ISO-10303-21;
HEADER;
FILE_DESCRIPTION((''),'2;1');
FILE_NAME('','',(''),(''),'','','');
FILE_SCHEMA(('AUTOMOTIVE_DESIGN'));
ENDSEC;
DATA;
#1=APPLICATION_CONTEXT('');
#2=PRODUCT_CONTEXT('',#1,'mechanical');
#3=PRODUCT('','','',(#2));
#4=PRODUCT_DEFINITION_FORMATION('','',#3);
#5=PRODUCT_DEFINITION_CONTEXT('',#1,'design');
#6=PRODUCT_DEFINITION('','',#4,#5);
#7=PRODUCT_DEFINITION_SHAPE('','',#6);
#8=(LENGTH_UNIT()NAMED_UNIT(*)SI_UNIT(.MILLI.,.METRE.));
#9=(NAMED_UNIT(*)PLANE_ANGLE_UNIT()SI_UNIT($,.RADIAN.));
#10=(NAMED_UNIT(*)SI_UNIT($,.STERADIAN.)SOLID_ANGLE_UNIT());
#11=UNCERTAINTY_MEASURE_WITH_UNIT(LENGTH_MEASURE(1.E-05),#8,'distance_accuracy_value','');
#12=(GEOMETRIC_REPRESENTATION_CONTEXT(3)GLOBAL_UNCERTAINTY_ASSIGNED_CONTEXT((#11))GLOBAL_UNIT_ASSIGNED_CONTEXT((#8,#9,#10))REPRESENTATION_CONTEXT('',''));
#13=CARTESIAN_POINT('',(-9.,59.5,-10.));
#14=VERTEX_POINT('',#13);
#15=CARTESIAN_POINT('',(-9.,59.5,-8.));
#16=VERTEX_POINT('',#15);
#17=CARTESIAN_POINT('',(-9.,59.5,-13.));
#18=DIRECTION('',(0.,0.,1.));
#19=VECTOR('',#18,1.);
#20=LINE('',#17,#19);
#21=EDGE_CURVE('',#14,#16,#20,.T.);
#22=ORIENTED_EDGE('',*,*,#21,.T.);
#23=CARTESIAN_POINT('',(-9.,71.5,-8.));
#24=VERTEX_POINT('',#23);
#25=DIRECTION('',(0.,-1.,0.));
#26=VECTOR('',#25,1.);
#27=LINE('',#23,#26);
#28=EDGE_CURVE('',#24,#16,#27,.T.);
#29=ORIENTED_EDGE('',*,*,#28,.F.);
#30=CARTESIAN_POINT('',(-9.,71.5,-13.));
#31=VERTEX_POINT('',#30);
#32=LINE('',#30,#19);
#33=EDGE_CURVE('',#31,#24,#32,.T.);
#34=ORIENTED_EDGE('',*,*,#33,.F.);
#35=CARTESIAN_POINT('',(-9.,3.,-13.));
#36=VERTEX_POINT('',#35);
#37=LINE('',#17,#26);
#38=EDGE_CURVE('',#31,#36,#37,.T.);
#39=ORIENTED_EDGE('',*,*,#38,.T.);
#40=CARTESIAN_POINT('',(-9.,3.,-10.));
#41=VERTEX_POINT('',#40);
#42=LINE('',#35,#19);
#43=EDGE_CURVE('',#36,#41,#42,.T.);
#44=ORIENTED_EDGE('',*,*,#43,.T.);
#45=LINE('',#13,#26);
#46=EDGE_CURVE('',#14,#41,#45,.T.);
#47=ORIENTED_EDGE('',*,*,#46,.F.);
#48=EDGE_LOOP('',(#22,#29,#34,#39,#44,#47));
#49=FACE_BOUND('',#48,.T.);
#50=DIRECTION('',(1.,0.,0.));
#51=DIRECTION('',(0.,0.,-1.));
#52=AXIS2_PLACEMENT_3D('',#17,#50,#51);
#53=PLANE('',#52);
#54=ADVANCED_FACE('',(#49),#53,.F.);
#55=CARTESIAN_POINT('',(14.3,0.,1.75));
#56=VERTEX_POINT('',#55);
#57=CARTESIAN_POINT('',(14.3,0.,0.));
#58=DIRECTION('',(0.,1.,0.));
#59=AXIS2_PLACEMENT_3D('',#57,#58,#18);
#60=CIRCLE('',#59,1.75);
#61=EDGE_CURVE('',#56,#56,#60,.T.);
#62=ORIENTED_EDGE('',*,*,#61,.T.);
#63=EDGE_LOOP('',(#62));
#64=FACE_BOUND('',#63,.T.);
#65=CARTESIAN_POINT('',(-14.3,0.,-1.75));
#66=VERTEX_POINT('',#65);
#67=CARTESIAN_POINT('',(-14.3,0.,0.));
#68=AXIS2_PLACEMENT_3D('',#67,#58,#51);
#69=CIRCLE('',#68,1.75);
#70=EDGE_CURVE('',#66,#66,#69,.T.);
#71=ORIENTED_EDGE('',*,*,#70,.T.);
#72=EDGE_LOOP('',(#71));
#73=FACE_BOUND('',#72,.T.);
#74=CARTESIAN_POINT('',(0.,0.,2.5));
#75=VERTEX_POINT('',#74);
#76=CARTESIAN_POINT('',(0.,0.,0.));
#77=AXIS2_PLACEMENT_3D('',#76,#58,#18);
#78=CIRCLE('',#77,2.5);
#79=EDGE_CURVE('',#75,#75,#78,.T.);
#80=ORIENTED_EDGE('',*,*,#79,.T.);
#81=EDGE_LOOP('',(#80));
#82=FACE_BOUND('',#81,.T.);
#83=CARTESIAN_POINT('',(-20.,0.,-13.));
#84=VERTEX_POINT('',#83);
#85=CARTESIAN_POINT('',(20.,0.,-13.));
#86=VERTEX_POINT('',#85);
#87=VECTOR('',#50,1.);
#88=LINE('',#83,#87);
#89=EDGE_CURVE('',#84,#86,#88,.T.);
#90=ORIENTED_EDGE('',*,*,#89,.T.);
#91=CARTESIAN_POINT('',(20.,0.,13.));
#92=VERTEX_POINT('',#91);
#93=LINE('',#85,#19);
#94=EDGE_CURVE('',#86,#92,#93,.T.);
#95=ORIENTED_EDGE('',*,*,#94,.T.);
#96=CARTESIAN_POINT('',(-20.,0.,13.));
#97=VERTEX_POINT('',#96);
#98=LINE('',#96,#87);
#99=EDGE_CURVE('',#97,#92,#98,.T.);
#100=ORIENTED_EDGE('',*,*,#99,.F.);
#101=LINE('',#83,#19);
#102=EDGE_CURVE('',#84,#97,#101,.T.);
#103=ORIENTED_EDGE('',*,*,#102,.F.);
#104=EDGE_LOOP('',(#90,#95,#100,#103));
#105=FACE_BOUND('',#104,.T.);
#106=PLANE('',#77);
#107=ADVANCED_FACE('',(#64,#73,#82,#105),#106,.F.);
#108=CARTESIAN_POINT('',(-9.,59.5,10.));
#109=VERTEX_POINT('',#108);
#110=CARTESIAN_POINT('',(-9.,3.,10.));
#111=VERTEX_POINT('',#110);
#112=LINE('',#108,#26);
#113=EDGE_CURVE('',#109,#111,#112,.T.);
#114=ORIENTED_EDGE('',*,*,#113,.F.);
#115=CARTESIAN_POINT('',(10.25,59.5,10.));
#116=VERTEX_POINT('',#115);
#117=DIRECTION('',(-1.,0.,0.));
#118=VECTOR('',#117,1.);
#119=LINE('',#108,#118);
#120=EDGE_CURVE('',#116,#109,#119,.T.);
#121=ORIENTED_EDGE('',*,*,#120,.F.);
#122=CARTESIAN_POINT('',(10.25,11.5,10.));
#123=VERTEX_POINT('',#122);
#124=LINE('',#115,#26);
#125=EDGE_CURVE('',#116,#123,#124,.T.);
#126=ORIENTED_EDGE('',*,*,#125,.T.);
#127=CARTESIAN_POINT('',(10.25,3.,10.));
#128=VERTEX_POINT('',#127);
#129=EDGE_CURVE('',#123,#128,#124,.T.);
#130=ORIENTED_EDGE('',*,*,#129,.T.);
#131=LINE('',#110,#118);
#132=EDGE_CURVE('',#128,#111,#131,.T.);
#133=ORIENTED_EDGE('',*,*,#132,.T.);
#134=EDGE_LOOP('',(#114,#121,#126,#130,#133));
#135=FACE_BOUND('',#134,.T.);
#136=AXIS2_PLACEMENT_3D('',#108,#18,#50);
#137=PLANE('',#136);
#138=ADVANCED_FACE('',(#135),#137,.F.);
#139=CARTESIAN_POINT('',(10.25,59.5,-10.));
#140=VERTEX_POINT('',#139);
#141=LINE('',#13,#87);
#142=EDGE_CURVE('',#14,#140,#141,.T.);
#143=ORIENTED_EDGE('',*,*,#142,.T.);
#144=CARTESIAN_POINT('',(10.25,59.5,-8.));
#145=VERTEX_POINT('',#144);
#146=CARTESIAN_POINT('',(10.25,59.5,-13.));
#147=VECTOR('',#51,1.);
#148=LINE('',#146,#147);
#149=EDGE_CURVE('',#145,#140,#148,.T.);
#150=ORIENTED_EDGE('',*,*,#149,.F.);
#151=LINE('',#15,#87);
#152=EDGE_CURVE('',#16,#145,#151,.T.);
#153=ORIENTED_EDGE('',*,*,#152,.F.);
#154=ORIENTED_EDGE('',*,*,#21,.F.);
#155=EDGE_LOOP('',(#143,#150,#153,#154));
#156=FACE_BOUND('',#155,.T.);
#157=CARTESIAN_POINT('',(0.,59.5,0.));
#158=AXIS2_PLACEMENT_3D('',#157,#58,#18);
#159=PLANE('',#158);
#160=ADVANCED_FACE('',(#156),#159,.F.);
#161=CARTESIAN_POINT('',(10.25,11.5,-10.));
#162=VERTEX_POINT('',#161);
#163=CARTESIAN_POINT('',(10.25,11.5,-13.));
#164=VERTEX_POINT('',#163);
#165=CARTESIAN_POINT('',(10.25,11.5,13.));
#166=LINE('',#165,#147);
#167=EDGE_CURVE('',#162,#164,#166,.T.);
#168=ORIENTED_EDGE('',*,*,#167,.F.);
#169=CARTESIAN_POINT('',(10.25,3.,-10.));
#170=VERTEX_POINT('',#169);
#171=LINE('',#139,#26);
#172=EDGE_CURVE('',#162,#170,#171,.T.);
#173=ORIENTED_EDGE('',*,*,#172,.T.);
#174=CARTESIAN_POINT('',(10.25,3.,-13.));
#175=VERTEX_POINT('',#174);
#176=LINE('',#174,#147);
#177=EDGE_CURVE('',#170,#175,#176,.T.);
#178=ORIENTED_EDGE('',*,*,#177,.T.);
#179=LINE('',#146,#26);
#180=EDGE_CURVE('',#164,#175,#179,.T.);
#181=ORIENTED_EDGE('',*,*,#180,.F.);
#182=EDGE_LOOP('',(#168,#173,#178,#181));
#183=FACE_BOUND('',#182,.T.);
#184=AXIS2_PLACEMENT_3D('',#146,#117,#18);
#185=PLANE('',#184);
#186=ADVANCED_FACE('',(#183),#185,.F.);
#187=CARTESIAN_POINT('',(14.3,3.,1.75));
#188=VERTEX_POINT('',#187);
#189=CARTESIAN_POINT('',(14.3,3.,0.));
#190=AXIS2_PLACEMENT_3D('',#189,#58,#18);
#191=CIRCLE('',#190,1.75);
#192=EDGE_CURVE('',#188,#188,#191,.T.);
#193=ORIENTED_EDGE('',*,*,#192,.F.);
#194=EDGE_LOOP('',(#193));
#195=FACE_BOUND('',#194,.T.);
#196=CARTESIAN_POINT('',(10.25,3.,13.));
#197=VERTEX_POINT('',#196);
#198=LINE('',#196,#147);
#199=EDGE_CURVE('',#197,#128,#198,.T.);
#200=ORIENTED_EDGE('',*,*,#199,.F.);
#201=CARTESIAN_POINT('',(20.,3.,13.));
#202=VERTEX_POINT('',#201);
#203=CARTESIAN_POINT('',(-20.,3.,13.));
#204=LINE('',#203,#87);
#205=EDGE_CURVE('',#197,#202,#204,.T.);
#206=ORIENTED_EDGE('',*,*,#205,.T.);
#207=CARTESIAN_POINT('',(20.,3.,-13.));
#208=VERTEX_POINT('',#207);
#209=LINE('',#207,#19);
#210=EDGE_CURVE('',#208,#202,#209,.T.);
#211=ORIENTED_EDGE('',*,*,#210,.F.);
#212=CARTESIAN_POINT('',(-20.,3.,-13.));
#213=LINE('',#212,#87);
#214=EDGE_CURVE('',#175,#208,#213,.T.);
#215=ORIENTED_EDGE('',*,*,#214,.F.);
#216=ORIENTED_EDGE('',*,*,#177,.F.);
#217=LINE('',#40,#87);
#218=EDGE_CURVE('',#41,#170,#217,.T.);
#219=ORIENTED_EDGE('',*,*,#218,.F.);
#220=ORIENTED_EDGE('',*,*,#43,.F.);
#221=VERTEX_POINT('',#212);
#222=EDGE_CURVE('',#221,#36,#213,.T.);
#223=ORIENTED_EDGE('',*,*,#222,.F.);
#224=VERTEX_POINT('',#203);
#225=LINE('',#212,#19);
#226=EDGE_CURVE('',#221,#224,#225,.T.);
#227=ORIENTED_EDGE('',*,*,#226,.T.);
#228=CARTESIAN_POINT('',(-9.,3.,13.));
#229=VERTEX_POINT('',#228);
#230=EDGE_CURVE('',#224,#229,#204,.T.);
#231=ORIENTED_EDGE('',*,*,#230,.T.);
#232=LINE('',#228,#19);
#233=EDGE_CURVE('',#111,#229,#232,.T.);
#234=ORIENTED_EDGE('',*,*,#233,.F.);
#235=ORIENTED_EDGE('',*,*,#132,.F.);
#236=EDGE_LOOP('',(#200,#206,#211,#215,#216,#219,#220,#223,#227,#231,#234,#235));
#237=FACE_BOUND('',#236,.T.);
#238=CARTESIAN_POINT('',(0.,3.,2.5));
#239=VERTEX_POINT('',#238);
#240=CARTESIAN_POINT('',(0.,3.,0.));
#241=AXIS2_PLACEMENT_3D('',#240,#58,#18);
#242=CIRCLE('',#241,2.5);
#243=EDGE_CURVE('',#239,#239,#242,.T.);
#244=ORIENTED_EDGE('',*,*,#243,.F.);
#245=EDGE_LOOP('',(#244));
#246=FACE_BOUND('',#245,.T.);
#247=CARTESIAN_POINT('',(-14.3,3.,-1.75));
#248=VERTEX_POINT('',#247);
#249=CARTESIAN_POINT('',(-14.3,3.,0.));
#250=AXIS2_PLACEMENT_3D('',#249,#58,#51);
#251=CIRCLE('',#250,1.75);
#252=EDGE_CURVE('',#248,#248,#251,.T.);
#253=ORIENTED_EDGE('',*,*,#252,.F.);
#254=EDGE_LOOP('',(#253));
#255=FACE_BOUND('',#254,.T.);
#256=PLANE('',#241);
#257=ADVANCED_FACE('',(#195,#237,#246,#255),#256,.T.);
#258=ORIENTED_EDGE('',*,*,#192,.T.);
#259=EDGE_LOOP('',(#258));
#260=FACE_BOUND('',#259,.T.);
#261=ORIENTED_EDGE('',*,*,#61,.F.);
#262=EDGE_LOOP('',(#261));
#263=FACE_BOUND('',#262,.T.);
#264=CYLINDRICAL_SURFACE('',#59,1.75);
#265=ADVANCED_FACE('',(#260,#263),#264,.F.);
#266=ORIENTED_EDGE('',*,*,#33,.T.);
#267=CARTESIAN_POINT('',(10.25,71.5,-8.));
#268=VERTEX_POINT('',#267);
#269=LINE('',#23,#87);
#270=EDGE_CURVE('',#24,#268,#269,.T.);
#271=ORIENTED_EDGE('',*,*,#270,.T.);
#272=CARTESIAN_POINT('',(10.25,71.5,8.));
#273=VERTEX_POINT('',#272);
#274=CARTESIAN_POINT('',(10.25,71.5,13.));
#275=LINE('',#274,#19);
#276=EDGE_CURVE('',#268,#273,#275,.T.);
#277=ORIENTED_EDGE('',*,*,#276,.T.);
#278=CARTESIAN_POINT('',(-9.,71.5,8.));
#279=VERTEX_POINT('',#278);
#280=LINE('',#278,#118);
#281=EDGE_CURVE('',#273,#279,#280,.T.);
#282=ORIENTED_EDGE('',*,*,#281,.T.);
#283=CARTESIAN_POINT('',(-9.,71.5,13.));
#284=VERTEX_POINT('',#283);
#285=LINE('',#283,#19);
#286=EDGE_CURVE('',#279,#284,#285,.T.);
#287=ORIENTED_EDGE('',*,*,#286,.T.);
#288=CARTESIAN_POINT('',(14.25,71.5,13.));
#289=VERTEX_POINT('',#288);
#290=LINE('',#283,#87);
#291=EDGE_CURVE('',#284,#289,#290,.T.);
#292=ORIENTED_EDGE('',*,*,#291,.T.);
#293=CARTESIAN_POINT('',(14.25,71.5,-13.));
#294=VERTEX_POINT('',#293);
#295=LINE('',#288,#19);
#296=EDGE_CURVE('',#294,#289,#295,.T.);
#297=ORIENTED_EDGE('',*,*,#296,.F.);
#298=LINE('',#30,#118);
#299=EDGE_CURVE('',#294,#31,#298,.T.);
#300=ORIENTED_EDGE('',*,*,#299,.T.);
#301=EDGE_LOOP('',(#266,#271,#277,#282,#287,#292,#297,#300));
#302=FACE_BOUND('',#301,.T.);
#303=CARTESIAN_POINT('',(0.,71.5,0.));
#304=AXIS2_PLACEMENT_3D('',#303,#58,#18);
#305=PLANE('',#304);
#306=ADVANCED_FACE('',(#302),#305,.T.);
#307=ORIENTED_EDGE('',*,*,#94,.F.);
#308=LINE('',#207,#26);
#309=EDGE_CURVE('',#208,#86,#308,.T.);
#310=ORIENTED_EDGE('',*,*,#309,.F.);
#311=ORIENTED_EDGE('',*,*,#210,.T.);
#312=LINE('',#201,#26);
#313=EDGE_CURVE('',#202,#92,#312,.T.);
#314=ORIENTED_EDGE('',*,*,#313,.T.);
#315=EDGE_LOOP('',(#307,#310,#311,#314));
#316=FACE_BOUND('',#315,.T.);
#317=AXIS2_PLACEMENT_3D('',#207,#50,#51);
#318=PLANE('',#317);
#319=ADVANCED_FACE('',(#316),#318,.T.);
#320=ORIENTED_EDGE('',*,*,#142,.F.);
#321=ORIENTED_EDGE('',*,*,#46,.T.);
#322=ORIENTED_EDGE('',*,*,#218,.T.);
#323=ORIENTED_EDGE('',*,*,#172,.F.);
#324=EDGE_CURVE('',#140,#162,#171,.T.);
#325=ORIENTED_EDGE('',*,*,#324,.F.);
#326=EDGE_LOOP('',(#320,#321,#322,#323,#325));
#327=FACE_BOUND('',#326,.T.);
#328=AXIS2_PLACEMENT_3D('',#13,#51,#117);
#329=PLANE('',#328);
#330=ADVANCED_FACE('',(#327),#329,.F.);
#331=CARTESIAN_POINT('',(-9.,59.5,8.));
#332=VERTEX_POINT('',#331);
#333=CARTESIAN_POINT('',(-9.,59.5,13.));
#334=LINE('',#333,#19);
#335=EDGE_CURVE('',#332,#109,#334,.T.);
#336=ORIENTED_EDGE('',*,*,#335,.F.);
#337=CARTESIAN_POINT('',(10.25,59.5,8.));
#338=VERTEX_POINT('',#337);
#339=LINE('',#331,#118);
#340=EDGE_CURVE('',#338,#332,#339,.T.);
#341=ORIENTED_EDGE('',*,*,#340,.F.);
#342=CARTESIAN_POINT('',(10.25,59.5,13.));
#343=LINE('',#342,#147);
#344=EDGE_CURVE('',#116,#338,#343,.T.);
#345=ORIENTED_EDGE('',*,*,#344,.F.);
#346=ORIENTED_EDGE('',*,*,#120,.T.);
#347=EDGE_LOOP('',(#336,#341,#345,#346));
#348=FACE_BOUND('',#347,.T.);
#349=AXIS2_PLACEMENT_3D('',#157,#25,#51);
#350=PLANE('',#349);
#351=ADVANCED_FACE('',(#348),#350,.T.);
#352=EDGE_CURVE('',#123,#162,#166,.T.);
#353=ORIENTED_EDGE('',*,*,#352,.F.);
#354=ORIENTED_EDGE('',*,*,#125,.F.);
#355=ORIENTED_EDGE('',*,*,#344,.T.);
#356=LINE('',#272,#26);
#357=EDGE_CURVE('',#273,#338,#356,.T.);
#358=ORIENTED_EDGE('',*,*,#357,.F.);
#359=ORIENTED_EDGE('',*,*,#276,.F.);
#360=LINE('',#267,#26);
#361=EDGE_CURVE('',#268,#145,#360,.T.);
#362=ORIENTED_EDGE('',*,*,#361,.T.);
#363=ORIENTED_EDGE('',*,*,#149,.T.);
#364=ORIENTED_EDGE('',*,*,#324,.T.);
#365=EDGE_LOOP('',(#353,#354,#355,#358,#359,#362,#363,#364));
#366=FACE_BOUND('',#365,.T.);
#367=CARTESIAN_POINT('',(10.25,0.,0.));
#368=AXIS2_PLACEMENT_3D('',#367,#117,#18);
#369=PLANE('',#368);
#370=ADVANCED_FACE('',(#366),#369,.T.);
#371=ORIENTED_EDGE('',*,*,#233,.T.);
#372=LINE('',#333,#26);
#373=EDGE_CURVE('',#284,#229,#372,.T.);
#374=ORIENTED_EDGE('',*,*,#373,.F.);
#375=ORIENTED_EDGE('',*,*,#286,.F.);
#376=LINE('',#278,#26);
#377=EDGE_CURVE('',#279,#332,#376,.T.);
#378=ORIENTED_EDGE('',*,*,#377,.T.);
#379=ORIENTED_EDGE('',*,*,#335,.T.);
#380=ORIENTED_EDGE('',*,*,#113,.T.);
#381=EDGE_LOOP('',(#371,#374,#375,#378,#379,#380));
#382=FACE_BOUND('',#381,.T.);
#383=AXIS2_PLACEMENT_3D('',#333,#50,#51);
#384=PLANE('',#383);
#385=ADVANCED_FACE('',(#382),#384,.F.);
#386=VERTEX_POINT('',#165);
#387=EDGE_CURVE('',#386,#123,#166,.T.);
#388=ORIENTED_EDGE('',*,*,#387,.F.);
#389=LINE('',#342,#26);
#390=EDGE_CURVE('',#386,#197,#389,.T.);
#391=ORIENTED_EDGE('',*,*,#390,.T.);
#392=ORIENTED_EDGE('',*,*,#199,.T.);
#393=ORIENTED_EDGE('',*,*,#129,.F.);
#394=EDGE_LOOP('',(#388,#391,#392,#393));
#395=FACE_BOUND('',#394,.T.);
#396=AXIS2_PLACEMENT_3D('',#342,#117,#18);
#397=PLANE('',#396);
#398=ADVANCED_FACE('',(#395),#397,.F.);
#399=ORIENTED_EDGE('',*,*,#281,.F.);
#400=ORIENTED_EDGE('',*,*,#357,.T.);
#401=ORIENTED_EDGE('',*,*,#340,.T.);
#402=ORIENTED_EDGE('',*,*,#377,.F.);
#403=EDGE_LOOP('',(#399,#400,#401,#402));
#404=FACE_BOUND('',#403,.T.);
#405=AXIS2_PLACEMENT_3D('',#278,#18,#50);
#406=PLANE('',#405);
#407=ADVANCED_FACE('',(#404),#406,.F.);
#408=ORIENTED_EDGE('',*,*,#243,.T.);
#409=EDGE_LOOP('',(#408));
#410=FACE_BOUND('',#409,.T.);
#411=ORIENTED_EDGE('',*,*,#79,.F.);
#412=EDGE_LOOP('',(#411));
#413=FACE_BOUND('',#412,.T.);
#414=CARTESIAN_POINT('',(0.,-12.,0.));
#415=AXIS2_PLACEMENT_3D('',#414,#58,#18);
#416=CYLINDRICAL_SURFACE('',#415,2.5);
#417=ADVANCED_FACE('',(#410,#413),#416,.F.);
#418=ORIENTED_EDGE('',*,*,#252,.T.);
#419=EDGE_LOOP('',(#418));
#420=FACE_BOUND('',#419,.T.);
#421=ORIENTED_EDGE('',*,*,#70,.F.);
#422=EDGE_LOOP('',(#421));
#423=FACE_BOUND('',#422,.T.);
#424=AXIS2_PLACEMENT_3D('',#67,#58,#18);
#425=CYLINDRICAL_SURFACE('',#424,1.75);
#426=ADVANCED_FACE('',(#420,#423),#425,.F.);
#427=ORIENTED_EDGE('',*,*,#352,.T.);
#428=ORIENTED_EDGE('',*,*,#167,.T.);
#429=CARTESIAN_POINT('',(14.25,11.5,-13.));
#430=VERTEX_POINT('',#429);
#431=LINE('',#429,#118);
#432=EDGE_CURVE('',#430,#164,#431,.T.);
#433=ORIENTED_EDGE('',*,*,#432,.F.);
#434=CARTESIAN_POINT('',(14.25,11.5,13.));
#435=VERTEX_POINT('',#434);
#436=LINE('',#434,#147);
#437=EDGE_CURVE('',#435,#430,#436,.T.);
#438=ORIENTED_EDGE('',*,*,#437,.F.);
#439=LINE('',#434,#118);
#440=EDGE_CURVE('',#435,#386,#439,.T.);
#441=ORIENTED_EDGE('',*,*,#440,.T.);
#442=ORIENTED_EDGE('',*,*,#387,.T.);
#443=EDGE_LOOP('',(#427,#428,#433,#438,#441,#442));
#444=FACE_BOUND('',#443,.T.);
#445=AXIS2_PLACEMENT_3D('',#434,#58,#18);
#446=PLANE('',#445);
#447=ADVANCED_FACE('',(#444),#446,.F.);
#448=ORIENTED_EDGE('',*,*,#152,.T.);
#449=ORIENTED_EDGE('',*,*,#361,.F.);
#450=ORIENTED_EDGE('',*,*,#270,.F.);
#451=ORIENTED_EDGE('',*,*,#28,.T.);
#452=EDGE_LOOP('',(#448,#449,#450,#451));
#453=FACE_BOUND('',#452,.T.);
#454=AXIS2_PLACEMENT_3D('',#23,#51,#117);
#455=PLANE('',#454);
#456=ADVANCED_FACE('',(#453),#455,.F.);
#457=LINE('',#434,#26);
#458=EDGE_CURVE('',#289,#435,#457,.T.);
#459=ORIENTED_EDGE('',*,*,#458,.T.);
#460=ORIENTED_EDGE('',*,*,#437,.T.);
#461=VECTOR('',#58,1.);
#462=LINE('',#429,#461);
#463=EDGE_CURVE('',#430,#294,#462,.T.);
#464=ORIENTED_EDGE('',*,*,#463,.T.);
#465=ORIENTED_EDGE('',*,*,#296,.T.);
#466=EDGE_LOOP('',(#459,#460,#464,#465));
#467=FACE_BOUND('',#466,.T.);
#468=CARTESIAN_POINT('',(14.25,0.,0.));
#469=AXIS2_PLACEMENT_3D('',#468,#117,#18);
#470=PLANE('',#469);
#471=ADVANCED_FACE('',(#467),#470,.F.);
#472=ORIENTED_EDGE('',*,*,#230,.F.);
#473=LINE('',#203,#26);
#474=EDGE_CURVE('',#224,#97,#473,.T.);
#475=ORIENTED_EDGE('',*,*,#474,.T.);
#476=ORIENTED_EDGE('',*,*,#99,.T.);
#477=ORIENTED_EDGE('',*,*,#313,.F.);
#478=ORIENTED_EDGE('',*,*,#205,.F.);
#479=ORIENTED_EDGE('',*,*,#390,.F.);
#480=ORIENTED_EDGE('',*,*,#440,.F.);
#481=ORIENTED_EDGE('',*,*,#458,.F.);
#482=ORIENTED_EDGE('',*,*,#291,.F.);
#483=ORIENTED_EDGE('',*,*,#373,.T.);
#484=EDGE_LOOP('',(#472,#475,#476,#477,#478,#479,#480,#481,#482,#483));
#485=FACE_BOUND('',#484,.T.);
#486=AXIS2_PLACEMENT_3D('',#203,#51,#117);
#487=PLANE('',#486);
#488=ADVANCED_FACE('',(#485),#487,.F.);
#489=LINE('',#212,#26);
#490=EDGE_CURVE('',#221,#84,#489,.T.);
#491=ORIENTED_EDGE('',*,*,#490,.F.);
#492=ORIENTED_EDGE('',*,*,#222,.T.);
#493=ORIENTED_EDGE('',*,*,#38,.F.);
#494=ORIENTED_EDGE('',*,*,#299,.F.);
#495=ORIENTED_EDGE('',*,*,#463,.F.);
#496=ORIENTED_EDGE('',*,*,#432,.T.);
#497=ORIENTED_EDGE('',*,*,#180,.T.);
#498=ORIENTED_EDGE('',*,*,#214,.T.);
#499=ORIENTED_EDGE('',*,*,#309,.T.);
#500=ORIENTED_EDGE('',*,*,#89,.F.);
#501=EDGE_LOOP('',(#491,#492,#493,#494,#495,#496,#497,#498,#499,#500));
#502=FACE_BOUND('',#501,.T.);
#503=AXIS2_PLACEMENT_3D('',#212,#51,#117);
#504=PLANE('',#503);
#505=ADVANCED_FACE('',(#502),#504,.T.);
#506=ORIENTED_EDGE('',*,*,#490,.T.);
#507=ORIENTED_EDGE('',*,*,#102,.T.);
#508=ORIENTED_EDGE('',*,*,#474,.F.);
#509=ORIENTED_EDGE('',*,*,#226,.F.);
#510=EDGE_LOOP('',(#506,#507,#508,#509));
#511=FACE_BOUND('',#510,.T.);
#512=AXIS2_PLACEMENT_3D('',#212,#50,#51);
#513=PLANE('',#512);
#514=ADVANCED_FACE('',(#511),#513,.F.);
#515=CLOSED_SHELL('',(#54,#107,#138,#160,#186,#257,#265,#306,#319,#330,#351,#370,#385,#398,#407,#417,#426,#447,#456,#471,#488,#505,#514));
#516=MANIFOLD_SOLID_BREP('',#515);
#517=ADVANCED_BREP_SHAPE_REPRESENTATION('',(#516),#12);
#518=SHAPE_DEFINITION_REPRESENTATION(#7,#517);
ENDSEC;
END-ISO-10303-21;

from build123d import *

# Parameters (mm, degrees)
SKETCH1_W           = 40
SKETCH1_H           = 26
BOSS_EXTRUDE1_DEPTH = 3
SKETCH2_R           = 1.75
CUT_EXTRUDE1_DEPTH  = 3
SKETCH3_W           = 19.25
SKETCH3_H           = 3
BOSS_EXTRUDE2_DEPTH = 56.5
SKETCH5_W           = 19.25
SKETCH5_H           = 5
BOSS_EXTRUDE4_DEPTH = 12
SKETCH6_R           = 2.5
CUT_EXTRUDE2_DEPTH  = 15
SKETCH7_W           = 26
SKETCH7_H           = 60
BOSS_EXTRUDE5_DEPTH = 4


with BuildPart() as part:
    # Sketch1 → Boss-Extrude1 (new body)
    with BuildSketch(Plane(origin=(0, 0, 0), x_dir=(1, 0, 0), z_dir=(0, 1, 0))):
        Rectangle(SKETCH1_W, SKETCH1_H)
    extrude(amount=BOSS_EXTRUDE1_DEPTH)

    # Sketch2 → Cut-Extrude1 (cut)
    with BuildSketch(Plane(origin=(0, 3, 0), x_dir=(1, 0, 0), z_dir=(0, 1, 0))):
        with Locations(Location((14.3, 0, 0), (0, 0, 270))):
            Circle(SKETCH2_R)
        with Locations(Location((-14.3, 0, 0), (0, 0, 90))):
            Circle(SKETCH2_R)
    extrude(amount=-CUT_EXTRUDE1_DEPTH, mode=Mode.SUBTRACT)

    # Sketch3 → Boss-Extrude2 (add)
    with BuildSketch(Plane(origin=(0, 3, 0), x_dir=(1, 0, 0), z_dir=(0, 1, 0))):
        with Locations((0.625, -11.5)):
            Rectangle(SKETCH3_W, SKETCH3_H)
        with Locations((0.625, 11.5)):
            Rectangle(SKETCH3_W, SKETCH3_H)
    extrude(amount=BOSS_EXTRUDE2_DEPTH)

    # Sketch5 → Boss-Extrude4 (add)
    with BuildSketch(Plane(origin=(0, 59.5, 0), x_dir=(1, 0, 0), z_dir=(0, 1, 0))):
        with Locations((0.625, 10.5)):
            Rectangle(SKETCH5_W, SKETCH5_H)
        with Locations((0.625, -10.5)):
            Rectangle(SKETCH5_W, SKETCH5_H)
    extrude(amount=BOSS_EXTRUDE4_DEPTH)

    # Sketch6 → Cut-Extrude2 (cut)
    with BuildSketch(Plane(origin=(0, 3, 0), x_dir=(1, 0, 0), z_dir=(0, 1, 0))):
        with Locations(Location((0, 0, 0), (0, 0, 270))):
            Circle(SKETCH6_R)
    extrude(amount=-CUT_EXTRUDE2_DEPTH, mode=Mode.SUBTRACT)

    # Sketch7 → Boss-Extrude5 (add)
    with BuildSketch(Plane(origin=(10.25, 0, 0), x_dir=(0, 0, -1), z_dir=(1, 0, 0))):
        with Locations((0, 41.5)):
            Rectangle(SKETCH7_W, SKETCH7_H)
    extrude(amount=BOSS_EXTRUDE5_DEPTH)


solid = part.part
